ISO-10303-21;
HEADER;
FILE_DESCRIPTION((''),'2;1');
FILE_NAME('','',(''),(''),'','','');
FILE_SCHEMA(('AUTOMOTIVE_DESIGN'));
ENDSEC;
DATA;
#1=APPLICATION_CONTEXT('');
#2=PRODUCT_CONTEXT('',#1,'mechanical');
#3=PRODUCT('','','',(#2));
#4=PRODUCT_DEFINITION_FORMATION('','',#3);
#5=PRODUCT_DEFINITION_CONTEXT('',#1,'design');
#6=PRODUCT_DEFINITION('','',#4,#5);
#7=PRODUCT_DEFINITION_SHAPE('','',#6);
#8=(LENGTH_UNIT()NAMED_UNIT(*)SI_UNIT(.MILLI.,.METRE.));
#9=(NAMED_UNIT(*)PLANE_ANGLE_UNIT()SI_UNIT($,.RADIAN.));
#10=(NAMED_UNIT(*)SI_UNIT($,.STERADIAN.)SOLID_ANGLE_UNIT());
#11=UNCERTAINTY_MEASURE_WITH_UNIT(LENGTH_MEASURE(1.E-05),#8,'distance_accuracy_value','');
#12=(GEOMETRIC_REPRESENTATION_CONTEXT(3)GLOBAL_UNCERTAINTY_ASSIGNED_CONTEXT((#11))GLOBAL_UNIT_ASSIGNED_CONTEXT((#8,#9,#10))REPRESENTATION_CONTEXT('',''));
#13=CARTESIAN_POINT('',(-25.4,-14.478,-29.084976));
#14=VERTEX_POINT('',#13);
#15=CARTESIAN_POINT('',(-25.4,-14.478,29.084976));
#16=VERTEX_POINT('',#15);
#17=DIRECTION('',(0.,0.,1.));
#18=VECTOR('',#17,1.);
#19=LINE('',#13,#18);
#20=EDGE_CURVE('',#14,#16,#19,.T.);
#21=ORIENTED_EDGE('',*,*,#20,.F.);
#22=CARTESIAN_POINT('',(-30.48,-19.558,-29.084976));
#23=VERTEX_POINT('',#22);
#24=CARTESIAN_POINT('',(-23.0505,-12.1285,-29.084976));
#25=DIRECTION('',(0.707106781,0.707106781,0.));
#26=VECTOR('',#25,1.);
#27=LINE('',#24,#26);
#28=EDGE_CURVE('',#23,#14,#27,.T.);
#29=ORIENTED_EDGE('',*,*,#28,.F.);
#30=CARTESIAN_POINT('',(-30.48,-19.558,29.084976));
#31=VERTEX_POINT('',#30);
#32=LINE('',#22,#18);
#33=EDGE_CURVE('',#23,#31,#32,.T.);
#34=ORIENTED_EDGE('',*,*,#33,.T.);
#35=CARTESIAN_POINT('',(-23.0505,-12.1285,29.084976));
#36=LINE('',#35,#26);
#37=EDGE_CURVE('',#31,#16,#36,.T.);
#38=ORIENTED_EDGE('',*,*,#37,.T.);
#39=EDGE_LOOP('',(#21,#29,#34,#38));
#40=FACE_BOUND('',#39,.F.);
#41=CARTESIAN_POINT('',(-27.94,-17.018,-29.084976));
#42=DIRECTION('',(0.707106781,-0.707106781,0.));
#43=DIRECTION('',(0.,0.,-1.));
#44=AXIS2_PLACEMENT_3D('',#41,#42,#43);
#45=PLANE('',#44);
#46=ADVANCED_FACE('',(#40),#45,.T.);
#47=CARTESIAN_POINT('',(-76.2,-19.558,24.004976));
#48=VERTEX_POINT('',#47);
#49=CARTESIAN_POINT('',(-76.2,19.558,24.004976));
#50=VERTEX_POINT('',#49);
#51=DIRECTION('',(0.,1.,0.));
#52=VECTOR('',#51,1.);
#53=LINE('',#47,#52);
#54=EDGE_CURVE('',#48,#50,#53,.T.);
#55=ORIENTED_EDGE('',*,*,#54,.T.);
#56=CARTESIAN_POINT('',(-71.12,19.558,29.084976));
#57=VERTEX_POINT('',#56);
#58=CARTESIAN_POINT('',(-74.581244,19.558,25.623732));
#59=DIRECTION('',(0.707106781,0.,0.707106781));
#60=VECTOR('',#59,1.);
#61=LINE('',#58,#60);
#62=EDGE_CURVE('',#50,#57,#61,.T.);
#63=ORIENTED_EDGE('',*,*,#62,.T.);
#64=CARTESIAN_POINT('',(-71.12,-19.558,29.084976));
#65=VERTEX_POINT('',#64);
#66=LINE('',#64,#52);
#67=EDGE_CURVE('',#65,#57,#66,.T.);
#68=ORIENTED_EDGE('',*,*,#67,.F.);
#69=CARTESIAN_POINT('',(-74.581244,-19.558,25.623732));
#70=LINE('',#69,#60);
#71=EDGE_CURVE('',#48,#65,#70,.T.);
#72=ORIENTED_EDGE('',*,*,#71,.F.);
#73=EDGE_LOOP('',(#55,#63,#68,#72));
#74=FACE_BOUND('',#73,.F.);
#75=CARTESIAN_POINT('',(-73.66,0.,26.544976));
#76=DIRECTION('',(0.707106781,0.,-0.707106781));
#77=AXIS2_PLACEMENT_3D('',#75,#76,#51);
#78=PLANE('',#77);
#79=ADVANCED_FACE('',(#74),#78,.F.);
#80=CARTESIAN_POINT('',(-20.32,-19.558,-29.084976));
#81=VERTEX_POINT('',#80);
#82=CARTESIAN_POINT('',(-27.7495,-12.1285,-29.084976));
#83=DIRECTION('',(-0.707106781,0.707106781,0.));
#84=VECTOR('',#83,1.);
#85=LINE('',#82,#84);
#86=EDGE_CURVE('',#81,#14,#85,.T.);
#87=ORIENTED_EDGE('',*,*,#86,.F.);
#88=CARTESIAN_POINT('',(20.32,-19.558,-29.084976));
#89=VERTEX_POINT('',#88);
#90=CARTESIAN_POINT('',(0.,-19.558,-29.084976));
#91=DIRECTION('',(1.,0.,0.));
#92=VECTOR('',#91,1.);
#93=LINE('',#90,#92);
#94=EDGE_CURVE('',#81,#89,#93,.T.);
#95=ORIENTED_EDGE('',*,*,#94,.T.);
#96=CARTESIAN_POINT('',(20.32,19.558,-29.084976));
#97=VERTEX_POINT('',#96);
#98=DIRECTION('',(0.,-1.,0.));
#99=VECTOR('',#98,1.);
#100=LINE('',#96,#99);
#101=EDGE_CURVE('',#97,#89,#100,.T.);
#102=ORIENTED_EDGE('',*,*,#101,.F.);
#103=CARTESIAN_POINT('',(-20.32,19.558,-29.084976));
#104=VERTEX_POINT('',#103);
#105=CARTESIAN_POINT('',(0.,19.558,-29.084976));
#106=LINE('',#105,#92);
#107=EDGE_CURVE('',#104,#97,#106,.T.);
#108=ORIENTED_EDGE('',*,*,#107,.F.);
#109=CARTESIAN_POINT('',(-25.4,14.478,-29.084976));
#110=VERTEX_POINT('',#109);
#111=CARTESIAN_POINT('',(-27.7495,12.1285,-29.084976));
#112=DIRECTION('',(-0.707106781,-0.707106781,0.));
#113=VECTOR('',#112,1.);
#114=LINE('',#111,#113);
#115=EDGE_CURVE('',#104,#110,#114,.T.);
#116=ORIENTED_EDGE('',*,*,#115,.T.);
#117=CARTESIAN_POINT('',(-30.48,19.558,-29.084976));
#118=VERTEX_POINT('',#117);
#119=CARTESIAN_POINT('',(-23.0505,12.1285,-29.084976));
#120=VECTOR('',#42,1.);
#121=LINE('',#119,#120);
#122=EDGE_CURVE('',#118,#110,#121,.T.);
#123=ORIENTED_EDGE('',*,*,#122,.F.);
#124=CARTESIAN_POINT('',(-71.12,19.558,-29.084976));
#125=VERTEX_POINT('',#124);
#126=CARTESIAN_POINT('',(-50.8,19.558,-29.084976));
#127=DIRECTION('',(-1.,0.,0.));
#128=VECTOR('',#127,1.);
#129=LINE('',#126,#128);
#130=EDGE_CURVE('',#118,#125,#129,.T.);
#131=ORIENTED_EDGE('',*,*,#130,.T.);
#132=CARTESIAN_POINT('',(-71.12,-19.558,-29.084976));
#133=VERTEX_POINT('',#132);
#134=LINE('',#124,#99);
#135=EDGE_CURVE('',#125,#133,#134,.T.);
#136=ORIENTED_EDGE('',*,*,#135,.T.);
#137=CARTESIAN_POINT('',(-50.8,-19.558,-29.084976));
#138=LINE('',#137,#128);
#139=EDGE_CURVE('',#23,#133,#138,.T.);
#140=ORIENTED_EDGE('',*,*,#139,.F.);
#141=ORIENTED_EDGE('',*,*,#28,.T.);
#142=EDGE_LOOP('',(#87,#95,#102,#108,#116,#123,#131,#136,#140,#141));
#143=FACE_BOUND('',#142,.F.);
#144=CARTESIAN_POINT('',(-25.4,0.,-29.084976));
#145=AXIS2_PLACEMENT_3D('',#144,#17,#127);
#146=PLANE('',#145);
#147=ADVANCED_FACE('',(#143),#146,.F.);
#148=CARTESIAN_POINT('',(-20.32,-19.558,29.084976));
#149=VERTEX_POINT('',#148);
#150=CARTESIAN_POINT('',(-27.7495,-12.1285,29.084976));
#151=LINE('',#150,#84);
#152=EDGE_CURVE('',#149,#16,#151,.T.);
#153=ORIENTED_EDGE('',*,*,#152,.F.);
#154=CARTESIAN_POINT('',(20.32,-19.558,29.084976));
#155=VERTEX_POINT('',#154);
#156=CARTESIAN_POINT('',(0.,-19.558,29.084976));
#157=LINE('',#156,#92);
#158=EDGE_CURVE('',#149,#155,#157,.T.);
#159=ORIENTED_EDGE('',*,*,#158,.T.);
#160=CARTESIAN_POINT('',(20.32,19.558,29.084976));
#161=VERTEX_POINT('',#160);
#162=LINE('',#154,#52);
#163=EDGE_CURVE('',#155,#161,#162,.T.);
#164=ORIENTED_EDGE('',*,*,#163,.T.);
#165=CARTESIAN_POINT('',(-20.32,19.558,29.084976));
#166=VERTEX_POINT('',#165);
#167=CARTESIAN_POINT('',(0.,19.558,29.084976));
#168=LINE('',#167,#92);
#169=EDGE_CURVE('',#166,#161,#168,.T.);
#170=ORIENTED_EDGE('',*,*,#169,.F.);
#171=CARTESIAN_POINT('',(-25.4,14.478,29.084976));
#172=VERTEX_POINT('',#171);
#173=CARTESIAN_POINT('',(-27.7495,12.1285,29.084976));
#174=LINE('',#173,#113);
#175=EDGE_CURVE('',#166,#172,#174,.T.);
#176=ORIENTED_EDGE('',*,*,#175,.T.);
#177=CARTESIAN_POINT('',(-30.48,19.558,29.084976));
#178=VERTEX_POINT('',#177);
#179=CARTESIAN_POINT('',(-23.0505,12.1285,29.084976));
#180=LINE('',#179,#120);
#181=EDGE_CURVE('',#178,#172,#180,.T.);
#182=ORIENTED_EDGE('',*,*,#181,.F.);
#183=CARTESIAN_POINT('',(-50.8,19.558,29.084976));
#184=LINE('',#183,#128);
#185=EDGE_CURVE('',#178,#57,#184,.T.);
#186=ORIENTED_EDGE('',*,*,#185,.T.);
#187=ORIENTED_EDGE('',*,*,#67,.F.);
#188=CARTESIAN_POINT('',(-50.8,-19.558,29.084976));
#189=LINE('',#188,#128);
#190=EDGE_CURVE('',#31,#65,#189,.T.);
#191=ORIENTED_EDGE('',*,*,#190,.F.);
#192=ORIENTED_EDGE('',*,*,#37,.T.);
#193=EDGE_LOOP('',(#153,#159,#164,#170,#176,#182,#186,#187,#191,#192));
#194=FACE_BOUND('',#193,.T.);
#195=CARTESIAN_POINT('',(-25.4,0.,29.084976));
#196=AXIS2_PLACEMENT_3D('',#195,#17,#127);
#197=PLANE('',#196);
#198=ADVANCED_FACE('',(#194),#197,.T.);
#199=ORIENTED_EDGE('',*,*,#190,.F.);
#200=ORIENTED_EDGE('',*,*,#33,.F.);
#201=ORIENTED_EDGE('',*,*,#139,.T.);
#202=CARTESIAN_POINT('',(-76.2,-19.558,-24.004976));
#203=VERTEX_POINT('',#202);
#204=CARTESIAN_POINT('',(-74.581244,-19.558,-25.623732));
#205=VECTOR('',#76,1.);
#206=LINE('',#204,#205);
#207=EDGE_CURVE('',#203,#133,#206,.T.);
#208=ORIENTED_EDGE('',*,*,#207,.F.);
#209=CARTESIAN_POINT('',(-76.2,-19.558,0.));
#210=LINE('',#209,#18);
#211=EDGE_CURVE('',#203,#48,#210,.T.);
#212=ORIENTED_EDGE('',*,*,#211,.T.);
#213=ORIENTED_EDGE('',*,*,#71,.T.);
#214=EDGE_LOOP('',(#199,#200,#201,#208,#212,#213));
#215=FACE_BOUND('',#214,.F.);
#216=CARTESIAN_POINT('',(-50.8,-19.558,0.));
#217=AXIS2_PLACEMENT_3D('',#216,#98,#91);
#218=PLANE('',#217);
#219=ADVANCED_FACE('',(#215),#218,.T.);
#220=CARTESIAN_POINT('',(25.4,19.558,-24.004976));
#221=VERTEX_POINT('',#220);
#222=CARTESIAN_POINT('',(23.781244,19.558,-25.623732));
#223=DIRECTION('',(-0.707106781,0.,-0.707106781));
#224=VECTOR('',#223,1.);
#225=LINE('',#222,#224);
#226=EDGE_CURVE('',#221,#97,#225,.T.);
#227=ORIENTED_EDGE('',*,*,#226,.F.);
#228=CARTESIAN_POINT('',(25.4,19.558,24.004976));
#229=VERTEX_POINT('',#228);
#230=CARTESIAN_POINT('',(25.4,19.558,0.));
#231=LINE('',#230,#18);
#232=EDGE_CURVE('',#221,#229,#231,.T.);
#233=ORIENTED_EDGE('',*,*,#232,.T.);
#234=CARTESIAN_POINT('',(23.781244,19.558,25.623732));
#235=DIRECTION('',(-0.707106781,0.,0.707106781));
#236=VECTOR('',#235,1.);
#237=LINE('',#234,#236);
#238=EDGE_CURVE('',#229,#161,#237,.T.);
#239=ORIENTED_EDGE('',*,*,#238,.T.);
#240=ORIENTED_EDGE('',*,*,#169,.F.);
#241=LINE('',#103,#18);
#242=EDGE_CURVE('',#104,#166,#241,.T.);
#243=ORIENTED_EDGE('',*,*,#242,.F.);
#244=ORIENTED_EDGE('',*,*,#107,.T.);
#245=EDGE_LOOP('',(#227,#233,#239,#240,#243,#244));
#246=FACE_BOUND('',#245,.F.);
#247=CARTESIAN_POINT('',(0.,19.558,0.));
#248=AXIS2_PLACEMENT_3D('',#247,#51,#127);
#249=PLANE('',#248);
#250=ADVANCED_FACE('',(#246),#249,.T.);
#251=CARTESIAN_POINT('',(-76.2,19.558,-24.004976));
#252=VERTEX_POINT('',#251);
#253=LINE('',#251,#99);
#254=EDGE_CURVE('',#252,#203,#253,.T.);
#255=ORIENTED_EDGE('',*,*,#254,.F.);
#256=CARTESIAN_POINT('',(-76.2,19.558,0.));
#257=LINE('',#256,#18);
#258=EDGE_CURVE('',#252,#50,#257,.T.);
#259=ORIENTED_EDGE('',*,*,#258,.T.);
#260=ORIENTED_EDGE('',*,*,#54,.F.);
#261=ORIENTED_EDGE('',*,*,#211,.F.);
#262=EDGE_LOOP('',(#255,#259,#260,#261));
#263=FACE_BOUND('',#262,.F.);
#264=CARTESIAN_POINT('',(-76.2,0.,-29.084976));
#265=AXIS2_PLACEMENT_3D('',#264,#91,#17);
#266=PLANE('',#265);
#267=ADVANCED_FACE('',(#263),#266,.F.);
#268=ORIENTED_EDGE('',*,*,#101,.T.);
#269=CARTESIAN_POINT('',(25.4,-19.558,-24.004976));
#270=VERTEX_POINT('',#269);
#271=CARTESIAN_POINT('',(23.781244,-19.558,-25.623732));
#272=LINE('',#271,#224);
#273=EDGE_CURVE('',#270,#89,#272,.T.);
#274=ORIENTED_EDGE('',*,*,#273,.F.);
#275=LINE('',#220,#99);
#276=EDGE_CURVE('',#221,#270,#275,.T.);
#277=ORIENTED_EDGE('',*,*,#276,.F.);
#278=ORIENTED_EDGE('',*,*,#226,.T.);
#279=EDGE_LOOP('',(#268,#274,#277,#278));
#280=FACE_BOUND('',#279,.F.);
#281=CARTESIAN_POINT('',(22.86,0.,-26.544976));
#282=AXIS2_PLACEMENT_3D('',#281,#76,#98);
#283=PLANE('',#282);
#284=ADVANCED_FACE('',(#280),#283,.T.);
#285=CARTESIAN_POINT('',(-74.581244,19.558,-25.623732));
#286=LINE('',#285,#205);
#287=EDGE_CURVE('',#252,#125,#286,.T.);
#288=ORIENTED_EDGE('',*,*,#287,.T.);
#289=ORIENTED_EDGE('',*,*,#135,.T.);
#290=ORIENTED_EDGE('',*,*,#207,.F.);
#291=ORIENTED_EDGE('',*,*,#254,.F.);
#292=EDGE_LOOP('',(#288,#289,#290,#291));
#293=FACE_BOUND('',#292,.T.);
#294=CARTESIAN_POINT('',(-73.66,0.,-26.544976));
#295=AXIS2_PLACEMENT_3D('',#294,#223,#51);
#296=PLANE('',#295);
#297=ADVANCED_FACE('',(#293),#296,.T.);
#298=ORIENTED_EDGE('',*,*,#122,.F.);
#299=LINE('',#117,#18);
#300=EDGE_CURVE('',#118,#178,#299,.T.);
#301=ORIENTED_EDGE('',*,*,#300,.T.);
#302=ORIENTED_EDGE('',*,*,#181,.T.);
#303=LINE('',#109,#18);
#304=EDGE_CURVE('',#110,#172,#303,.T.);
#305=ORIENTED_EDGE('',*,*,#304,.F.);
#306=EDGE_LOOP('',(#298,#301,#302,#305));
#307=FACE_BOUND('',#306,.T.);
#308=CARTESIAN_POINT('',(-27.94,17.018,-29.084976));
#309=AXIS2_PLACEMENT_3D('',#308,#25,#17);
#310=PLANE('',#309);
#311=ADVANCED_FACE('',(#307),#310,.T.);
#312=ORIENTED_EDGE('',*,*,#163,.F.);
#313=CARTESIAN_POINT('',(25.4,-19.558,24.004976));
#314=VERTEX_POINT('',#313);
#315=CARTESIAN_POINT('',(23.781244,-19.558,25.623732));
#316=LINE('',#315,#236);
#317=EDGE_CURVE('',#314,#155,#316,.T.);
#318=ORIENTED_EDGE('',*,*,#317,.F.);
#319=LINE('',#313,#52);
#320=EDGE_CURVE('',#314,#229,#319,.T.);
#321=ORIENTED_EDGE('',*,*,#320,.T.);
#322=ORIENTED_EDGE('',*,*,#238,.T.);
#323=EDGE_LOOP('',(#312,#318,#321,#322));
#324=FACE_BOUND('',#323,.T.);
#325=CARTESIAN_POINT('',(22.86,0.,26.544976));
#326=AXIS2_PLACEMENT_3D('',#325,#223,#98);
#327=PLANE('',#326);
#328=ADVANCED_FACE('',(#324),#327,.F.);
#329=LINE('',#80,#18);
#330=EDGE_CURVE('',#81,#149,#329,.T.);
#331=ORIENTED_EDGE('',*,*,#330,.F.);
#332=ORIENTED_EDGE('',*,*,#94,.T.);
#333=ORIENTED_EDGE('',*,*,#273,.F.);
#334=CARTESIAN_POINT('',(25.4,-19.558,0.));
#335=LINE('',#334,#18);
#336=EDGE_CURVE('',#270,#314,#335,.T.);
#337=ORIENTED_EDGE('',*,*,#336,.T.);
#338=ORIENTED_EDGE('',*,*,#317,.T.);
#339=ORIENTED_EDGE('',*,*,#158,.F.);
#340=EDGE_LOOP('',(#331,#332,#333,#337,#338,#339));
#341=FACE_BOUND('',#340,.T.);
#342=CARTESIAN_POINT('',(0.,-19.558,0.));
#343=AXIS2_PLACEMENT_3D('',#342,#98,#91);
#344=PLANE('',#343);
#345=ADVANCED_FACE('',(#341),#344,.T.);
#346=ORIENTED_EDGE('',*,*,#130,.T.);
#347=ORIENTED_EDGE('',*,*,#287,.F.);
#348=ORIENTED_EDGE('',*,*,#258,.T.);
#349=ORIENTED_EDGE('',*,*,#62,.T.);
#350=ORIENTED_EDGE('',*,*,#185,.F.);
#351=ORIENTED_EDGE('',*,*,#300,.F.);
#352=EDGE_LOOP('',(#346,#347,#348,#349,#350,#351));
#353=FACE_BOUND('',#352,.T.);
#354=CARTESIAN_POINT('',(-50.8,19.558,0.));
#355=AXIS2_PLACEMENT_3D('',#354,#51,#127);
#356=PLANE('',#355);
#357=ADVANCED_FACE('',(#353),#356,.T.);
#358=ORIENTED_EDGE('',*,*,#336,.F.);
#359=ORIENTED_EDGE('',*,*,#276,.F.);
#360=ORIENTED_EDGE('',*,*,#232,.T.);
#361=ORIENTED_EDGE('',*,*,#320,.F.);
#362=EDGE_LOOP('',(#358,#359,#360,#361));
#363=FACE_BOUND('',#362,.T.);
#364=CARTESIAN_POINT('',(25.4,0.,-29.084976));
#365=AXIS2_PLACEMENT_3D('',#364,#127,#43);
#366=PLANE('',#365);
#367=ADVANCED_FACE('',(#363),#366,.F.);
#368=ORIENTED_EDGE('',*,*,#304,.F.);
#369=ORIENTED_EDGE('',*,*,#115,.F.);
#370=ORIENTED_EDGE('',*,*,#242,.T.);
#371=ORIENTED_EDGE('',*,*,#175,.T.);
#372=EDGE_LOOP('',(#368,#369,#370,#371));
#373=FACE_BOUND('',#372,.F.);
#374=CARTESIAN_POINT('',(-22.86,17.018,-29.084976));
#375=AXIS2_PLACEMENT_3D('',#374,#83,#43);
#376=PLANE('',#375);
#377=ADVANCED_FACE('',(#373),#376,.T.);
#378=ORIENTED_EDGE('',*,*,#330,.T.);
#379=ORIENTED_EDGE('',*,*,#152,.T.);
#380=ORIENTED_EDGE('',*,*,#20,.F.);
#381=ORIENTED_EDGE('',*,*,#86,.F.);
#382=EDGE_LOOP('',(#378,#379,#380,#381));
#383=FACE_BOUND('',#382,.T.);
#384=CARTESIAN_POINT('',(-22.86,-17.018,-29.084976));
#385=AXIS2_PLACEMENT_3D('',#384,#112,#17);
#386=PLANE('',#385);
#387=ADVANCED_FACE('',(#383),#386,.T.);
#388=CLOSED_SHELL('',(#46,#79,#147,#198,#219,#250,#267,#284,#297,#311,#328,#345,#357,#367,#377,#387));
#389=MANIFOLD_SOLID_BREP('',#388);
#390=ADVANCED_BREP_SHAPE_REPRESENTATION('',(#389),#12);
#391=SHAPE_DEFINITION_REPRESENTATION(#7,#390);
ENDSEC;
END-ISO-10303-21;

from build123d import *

# Parameters (mm, degrees)
F0_W     = 50.8
F0_H     = 58.169952
F1_DEPTH = 19.558
F2_SIZE  = 5.08
F3_SIZE  = 5.08


with BuildPart() as f1:
    # F0 (on Front) → F1 (new body)
    with BuildSketch(Plane.XZ):
        Rectangle(F0_W, F0_H)
    extrude(amount=F1_DEPTH)

    # F2
    f2_edges = [f1.edges().sort_by_distance(p)[0] for p in [
        (25.4, -9.779, 29.084976),
    ]]
    chamfer(f2_edges, length=F2_SIZE)

    # F3
    f3_edges = [f1.edges().sort_by_distance(p)[0] for p in [
        (25.4, -9.779, -29.084976),
        (-25.4, -19.558, 0),
    ]]
    chamfer(f3_edges, length=F3_SIZE)

    # F4: F1 across face


with BuildPart() as f1_1:
    add(f1.part)
    add(f1.part.mirror(Plane(origin=(-25.4, -7.239, 0), x_dir=(0, -1, 0), z_dir=(-1, 0, 0))))

    # F5: F1 across face


with BuildPart() as f1_2:
    add(f1_1.part)
    add(f1_1.part.mirror(Plane(origin=(-25.4, 0, 0), x_dir=(1, 0, 0), z_dir=(0, 1, 0))))


solid = f1_2.part
